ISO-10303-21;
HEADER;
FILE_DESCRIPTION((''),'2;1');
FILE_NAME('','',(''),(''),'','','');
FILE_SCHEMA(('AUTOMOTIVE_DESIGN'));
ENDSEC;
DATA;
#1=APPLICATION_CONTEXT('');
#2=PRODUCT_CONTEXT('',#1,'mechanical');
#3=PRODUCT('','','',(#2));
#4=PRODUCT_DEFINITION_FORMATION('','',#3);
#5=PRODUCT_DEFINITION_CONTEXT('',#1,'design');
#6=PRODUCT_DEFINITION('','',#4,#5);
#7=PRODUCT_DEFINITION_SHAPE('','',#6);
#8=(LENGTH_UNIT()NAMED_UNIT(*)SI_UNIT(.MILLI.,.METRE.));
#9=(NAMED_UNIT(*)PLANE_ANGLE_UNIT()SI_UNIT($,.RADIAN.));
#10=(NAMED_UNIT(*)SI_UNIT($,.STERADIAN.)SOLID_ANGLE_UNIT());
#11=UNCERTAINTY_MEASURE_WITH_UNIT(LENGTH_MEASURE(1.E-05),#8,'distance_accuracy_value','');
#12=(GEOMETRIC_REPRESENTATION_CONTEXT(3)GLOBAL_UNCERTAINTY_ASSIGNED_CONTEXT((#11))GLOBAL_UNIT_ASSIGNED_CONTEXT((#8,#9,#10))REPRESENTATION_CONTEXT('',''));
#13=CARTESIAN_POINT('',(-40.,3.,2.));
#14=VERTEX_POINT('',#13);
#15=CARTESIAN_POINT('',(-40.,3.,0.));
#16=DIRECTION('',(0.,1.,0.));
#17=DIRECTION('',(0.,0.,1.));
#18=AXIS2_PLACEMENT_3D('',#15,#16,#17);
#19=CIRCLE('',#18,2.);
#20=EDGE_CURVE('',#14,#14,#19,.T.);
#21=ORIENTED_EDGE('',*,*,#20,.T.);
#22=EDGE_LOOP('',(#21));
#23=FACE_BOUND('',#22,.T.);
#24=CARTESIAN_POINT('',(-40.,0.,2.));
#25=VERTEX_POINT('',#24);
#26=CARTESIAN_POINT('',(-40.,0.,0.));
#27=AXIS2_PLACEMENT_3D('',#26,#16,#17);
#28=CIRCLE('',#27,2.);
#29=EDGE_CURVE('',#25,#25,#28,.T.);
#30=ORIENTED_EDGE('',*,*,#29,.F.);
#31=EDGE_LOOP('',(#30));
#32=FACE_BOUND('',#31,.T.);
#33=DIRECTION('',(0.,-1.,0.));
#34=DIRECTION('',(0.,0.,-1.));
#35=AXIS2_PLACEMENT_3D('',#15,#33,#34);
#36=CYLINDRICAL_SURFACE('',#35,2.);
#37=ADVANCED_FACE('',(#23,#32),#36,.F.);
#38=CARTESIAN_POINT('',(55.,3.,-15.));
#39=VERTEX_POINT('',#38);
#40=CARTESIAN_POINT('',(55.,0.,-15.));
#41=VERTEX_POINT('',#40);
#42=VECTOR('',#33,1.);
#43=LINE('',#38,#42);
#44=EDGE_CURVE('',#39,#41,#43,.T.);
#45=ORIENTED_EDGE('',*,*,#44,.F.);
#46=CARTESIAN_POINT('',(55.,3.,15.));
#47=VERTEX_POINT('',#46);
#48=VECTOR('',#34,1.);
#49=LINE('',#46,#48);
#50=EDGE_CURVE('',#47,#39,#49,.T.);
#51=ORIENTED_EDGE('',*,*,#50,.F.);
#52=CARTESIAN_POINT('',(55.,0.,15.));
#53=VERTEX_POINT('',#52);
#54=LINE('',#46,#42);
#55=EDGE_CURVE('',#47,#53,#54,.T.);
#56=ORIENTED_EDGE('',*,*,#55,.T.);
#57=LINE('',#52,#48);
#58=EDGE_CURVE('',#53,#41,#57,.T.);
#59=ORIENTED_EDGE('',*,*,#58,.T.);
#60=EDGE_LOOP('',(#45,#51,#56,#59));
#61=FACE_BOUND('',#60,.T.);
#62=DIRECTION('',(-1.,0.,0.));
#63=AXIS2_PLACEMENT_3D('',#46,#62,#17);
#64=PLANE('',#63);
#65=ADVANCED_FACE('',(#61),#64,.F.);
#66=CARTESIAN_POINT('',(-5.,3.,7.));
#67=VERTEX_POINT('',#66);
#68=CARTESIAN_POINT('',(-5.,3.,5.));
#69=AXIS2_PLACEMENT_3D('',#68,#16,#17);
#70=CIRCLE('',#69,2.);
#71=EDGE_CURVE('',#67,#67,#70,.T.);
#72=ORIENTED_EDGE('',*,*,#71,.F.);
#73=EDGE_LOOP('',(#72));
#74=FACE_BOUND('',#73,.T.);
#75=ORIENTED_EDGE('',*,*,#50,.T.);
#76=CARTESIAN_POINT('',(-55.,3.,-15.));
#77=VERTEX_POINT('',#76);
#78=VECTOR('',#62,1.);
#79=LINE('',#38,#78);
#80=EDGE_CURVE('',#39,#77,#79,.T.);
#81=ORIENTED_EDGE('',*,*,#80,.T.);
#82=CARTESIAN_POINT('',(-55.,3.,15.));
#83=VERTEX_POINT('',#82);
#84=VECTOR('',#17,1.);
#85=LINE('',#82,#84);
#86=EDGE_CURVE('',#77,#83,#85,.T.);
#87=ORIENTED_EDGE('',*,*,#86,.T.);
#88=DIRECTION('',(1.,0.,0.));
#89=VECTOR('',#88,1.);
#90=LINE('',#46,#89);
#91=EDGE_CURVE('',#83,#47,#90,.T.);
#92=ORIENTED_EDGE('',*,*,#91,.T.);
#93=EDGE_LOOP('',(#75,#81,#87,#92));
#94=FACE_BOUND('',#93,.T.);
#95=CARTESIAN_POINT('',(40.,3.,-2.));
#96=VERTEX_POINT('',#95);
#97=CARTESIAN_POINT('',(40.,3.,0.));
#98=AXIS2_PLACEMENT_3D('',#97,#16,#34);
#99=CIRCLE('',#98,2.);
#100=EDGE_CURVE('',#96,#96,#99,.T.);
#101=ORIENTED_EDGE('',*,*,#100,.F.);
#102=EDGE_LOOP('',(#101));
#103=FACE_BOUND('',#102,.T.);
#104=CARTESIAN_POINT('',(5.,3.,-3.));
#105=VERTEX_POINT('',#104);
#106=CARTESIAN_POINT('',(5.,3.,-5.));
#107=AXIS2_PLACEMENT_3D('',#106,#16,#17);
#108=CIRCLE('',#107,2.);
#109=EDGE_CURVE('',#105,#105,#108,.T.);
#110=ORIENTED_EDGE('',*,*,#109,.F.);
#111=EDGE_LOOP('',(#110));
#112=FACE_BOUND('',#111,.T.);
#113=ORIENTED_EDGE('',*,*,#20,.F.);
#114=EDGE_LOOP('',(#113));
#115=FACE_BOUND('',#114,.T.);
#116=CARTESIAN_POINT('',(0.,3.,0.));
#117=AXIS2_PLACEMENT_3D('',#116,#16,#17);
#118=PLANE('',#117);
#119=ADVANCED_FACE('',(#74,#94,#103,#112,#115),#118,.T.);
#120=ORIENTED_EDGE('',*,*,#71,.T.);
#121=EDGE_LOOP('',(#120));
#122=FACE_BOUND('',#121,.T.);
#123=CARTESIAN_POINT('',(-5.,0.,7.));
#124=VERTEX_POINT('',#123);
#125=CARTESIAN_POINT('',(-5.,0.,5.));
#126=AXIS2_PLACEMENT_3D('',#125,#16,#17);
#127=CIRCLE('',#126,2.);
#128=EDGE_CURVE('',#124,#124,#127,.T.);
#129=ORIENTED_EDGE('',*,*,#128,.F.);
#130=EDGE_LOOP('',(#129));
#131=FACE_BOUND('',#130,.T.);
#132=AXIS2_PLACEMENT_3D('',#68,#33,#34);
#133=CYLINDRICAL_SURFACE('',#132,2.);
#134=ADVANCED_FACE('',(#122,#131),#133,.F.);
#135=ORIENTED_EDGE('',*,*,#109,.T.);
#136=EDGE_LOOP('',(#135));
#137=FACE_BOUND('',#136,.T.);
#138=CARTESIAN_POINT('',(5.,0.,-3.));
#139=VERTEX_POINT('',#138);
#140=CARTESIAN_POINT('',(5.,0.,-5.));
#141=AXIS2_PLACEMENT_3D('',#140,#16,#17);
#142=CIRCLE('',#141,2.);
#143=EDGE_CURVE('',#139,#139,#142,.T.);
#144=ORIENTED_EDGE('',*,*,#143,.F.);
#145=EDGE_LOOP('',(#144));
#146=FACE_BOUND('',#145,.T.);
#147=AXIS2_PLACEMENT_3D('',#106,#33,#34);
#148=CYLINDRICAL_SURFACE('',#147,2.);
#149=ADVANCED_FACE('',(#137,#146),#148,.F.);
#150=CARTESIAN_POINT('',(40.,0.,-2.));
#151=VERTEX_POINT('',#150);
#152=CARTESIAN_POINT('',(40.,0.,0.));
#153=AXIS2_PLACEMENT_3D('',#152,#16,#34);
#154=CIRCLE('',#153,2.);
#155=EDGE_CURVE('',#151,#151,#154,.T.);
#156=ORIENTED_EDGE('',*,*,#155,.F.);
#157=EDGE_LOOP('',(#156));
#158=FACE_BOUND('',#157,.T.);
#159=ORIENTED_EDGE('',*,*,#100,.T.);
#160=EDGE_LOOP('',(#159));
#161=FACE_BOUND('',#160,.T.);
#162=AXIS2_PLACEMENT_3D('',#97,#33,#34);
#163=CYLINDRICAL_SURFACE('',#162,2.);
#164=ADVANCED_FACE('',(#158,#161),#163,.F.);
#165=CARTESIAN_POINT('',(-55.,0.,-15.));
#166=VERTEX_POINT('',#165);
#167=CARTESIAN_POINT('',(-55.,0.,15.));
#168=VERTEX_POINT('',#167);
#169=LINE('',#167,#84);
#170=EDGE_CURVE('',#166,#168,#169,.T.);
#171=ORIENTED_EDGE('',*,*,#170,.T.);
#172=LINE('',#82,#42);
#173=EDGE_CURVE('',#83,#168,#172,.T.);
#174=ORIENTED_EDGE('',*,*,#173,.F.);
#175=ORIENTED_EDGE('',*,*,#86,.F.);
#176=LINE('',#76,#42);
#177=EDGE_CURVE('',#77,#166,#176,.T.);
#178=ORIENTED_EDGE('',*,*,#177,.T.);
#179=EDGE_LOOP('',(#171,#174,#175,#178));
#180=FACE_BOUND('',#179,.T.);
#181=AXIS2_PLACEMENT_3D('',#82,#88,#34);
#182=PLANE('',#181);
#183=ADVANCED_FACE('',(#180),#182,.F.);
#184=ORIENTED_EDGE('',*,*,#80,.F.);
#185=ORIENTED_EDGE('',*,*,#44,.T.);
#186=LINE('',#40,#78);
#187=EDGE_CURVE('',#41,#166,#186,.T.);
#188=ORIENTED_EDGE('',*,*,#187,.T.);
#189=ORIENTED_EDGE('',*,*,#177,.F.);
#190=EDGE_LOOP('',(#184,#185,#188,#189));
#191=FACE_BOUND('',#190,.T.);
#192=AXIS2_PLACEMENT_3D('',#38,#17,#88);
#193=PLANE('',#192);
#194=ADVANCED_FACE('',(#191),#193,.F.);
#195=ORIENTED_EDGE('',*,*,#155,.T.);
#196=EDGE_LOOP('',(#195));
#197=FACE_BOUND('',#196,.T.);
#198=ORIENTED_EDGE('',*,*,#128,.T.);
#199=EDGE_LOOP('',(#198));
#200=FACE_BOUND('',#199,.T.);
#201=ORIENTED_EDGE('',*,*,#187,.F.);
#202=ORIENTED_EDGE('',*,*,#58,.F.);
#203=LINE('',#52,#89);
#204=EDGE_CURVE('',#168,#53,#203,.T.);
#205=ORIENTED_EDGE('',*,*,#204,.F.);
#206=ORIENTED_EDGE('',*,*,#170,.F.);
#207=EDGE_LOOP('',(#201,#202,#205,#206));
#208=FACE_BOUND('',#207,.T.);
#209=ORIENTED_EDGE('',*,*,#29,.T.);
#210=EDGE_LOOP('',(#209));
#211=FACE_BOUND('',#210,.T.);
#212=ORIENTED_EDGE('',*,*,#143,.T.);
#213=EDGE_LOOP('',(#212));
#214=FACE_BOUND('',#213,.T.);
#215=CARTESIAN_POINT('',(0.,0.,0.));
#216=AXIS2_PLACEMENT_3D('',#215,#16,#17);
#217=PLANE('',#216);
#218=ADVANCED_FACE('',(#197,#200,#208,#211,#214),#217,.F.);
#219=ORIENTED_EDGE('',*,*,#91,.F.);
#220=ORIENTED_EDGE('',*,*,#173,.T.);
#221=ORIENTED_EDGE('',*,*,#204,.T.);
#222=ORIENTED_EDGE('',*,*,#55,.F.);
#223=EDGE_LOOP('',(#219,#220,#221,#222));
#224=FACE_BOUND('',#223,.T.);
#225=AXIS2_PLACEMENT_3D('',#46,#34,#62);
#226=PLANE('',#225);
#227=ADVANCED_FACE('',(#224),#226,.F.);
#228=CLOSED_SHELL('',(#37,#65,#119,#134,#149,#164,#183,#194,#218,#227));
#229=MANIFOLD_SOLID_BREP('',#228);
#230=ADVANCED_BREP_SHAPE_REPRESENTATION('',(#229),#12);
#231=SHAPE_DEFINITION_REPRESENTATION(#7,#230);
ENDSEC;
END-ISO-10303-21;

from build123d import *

# Parameters (mm, degrees)
SKETCH1_W           = 110
SKETCH1_H           = 30
SKETCH1_R           = 2
BOSS_EXTRUDE1_DEPTH = 3


with BuildPart() as part:
    # Sketch1 → Boss-Extrude1 (new body)
    with BuildSketch(Plane(origin=(0, 0, 0), x_dir=(1, 0, 0), z_dir=(0, 1, 0))):
        Rectangle(SKETCH1_W, SKETCH1_H)
        with Locations(Location((5, 5, 0), (0, 0, 270))):
            Circle(SKETCH1_R, mode=Mode.SUBTRACT)
        with Locations(Location((-5, -5, 0), (0, 0, 270))):
            Circle(SKETCH1_R, mode=Mode.SUBTRACT)
        with Locations(Location((-40, 0, 0), (0, 0, 270))):
            Circle(SKETCH1_R, mode=Mode.SUBTRACT)
        with Locations(Location((40, 0, 0), (0, 0, 90))):
            Circle(SKETCH1_R, mode=Mode.SUBTRACT)
    extrude(amount=BOSS_EXTRUDE1_DEPTH)


solid = part.part
